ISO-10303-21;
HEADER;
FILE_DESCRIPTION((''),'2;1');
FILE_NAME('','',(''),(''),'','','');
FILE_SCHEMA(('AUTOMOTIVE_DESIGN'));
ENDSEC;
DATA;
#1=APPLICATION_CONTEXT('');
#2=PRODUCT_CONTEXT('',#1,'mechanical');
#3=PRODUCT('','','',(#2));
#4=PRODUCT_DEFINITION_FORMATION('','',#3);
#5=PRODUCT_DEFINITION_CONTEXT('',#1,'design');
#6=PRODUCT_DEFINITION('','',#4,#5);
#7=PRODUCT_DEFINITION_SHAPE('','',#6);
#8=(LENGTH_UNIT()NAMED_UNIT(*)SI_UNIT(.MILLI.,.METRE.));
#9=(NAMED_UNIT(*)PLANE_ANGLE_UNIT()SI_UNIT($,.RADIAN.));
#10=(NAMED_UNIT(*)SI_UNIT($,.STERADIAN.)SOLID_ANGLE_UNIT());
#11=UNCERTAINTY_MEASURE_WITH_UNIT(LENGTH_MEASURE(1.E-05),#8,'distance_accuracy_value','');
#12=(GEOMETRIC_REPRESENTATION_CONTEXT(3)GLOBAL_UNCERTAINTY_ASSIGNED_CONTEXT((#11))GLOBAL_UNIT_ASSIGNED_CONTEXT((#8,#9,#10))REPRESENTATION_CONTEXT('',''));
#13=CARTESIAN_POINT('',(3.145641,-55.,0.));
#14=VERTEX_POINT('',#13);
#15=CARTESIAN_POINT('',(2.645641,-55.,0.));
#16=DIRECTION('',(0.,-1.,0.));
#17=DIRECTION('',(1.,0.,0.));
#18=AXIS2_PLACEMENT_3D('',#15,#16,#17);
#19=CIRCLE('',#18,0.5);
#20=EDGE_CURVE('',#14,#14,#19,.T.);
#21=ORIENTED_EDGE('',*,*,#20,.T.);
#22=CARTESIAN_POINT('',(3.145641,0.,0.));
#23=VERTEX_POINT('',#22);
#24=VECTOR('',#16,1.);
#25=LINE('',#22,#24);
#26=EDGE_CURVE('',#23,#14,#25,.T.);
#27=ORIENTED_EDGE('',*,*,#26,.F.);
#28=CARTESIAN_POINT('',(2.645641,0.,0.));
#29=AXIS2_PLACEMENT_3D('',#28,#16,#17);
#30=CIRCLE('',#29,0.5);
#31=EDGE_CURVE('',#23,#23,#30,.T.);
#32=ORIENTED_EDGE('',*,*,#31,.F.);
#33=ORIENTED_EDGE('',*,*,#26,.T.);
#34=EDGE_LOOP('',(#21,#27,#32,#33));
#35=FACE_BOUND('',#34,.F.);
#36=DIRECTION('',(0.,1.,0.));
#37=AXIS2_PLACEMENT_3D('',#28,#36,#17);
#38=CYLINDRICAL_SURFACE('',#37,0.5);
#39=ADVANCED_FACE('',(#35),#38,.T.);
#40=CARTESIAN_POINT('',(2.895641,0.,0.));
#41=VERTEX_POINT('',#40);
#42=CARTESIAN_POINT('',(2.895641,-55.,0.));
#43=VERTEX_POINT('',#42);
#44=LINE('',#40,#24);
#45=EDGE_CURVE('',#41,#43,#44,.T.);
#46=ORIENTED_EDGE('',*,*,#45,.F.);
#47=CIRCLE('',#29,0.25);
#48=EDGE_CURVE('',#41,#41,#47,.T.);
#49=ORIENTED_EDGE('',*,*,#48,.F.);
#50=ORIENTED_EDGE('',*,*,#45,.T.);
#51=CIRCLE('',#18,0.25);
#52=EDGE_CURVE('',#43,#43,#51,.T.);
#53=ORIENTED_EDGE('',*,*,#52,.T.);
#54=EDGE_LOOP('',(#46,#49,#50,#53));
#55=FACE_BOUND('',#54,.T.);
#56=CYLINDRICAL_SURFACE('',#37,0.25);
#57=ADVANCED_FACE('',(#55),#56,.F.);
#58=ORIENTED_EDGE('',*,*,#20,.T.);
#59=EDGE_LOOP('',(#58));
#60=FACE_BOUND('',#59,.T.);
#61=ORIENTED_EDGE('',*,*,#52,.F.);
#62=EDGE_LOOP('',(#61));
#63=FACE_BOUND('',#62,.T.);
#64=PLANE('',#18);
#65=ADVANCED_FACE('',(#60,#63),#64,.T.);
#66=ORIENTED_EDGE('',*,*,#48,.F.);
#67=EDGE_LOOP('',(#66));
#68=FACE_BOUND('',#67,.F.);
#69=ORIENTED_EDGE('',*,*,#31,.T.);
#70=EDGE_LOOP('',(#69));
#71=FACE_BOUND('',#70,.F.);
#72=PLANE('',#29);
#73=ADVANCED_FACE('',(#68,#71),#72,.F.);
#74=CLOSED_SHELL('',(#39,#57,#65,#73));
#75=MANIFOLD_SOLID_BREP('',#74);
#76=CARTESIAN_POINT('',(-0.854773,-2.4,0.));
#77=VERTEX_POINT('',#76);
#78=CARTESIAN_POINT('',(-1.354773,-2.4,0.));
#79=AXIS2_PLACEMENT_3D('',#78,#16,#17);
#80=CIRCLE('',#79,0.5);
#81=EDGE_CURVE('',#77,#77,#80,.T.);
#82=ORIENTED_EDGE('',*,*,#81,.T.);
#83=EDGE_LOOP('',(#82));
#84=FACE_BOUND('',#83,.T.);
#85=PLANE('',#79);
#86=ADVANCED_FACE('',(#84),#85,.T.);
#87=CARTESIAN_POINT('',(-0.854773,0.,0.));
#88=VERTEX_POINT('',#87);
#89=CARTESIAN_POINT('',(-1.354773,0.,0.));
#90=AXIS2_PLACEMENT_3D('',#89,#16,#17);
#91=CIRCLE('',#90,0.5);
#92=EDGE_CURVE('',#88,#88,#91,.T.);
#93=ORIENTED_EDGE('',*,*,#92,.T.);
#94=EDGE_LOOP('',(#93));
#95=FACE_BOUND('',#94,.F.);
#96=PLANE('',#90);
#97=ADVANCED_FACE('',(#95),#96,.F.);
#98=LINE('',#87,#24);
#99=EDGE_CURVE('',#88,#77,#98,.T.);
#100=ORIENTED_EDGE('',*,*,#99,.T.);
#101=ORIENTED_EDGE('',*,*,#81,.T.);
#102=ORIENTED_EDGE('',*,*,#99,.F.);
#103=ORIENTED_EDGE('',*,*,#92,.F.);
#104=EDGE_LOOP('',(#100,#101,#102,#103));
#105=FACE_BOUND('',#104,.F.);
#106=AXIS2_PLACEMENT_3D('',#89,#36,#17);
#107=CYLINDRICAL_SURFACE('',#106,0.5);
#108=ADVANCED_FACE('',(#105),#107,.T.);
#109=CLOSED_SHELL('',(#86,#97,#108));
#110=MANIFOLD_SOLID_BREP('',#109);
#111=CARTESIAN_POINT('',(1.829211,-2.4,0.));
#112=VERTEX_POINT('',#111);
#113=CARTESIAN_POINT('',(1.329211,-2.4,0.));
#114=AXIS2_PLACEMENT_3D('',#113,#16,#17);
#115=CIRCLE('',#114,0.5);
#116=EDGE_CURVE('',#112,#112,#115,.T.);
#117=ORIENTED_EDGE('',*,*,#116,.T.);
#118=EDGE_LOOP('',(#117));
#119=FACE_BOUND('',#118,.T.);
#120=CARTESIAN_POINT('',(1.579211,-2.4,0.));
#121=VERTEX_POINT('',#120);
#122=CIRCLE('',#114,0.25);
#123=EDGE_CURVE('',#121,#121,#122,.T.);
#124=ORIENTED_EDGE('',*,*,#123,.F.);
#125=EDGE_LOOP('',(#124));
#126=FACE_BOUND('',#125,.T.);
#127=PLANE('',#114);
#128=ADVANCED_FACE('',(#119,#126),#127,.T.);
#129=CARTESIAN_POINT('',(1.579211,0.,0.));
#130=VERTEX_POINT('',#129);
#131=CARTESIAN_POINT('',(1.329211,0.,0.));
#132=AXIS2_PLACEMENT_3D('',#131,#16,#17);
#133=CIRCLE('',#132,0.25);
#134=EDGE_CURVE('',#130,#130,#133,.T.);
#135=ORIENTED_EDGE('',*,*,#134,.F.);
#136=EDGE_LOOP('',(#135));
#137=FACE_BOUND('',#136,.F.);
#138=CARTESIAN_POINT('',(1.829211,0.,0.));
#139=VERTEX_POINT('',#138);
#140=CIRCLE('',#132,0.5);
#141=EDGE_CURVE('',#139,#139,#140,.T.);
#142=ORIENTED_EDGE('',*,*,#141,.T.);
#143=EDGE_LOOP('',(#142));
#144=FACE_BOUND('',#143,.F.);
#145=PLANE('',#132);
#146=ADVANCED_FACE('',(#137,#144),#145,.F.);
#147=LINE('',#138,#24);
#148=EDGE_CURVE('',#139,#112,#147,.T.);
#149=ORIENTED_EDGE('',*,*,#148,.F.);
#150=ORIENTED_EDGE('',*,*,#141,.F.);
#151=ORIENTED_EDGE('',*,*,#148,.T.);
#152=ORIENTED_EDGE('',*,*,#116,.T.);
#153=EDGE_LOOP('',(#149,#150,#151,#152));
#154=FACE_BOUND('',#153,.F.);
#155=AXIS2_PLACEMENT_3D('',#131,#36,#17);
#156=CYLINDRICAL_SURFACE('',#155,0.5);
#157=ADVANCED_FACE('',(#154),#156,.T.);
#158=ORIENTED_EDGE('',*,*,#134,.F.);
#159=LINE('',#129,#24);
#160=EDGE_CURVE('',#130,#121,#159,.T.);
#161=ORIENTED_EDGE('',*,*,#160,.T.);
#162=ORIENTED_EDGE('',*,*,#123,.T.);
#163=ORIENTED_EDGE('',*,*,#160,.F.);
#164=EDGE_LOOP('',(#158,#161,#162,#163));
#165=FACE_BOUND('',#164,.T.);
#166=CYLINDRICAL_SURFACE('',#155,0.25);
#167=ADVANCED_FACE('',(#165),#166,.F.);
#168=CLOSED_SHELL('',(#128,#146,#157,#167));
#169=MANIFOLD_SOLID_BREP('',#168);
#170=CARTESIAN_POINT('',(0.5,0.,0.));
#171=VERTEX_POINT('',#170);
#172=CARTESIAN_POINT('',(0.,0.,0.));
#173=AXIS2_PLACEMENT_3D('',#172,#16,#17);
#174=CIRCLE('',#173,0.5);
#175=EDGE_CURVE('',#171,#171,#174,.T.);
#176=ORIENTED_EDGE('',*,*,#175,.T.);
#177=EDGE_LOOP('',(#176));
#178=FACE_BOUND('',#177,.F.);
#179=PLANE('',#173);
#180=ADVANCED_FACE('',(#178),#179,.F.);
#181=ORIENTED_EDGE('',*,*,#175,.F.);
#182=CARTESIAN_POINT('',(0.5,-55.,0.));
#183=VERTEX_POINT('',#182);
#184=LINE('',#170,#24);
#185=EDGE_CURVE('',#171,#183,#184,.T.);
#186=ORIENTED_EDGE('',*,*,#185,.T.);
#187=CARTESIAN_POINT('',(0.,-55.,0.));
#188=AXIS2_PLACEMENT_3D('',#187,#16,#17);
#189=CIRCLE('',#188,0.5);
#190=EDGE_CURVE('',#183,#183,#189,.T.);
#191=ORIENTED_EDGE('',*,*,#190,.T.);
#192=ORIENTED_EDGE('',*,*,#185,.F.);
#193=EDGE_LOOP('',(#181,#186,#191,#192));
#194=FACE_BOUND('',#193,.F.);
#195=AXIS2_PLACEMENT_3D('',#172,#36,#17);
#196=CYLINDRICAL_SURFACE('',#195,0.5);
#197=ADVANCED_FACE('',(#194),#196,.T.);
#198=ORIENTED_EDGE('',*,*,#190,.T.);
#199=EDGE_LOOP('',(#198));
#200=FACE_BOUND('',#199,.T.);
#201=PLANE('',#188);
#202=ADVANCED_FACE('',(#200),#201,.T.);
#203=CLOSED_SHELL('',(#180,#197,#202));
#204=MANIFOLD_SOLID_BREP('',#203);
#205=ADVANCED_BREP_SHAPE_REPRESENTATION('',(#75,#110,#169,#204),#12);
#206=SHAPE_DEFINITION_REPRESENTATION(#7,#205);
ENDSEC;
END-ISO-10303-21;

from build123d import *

# Parameters (mm, degrees)
F0_R     = 0.5
F1_DEPTH = 2.4
F2_DEPTH = 55
F0_R_2   = 0.25
F3_DEPTH = 2.4
F4_DEPTH = 55


with BuildPart() as f1:
    # F0 (on Front) → F1 (new body)
    with BuildSketch(Plane.XZ):
        with Locations((-1.354773, 0)):
            Circle(F0_R)
    extrude(amount=F1_DEPTH)


with BuildPart() as f2:
    # F0 (on Front) → F2 (new body)
    with BuildSketch(Plane.XZ):
        Circle(F0_R)
    extrude(amount=F2_DEPTH)


with BuildPart() as f3:
    # F0 (on Front) → F3 (new body)
    with BuildSketch(Plane.XZ):
        with Locations((1.329211, 0)):
            Circle(F0_R)
        with Locations((1.329211, 0)):
            Circle(F0_R_2, mode=Mode.SUBTRACT)
    extrude(amount=F3_DEPTH)


with BuildPart() as f4:
    # F0 (on Front) → F4 (new body)
    with BuildSketch(Plane.XZ):
        with Locations((2.645641, 0)):
            Circle(F0_R)
        with Locations((2.645641, 0)):
            Circle(F0_R_2, mode=Mode.SUBTRACT)
    extrude(amount=F4_DEPTH)


solid = Compound([f1.part, f2.part, f3.part, f4.part])
